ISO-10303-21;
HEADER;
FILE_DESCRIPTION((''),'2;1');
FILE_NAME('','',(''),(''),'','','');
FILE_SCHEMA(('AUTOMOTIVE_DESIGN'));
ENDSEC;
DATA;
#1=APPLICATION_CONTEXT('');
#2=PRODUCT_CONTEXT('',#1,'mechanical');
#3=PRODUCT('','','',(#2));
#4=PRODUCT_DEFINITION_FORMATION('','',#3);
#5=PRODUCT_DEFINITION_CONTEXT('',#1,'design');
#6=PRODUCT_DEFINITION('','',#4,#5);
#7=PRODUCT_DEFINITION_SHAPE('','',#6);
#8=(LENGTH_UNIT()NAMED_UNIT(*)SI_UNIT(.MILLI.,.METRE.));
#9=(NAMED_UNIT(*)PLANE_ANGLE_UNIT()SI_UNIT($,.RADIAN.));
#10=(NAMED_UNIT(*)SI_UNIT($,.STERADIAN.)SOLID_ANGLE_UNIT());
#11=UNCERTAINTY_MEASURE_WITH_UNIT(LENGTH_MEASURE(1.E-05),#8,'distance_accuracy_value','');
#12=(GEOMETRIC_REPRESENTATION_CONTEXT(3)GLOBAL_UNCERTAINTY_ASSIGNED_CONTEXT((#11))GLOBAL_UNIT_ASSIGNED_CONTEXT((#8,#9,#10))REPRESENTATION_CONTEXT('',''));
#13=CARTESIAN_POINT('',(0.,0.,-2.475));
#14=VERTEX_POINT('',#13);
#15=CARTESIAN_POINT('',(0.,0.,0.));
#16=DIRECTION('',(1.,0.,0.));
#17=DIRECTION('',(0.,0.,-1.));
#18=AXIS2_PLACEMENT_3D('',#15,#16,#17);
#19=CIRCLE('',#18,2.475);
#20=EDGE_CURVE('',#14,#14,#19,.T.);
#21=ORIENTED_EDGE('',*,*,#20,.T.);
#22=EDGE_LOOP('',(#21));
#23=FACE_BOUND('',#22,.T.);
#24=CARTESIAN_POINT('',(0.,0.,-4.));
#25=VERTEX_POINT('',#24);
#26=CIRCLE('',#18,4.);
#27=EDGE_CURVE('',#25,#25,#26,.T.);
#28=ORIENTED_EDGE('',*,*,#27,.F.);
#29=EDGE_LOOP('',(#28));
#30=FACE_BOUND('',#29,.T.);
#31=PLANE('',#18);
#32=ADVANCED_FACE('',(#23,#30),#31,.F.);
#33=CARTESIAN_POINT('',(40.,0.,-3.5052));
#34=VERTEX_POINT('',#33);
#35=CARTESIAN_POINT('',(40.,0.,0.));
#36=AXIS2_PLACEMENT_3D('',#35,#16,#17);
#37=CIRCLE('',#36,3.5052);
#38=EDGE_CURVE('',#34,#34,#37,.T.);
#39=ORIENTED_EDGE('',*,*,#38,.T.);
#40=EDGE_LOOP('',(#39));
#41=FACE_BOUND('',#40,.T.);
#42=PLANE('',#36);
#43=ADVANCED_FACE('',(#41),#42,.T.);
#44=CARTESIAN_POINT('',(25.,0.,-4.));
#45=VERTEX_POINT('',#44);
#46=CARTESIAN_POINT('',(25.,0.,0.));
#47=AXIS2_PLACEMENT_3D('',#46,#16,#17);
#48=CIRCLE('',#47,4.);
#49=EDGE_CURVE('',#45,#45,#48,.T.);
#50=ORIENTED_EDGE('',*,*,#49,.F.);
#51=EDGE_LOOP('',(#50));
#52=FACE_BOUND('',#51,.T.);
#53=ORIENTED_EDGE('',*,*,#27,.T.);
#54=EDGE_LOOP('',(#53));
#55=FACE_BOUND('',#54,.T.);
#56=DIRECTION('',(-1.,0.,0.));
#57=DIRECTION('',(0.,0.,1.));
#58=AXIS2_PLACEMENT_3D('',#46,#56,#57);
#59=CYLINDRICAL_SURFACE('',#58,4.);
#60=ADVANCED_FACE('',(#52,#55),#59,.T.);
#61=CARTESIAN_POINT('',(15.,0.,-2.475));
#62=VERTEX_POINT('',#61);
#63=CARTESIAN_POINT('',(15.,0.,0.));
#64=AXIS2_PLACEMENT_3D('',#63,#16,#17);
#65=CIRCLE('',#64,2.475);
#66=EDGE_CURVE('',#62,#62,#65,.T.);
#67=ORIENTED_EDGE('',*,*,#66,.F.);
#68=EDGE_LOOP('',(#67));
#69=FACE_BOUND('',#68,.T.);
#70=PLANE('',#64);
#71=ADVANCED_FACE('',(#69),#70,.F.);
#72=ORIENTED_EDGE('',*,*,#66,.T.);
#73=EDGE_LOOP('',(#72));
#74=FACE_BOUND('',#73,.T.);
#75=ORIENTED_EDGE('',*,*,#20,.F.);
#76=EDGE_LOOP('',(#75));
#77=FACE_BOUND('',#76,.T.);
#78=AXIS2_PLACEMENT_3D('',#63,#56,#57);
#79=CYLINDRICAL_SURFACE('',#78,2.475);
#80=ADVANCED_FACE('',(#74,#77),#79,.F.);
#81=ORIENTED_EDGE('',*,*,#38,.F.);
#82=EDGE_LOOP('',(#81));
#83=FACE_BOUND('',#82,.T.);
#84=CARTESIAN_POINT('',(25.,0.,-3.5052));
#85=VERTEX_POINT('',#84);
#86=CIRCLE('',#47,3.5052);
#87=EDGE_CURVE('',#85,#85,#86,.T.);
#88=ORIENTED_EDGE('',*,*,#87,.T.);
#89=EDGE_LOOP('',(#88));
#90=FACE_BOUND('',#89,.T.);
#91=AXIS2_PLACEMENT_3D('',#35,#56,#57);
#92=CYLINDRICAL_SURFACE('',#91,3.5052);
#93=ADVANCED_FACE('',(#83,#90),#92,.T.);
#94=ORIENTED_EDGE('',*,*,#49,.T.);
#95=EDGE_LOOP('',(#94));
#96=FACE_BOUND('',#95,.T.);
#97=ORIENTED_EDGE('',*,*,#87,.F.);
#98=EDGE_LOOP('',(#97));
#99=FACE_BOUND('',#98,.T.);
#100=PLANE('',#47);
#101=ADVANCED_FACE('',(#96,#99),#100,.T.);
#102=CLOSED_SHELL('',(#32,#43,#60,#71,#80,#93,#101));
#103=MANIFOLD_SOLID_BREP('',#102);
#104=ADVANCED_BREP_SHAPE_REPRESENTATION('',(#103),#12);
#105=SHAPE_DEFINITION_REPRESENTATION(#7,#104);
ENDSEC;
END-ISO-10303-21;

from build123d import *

# Parameters (mm, degrees)
SKETCH1_R           = 4
BOSS_EXTRUDE1_DEPTH = 25
SKETCH2_R           = 2.475
CUT_EXTRUDE1_DEPTH  = 15
SKETCH4_R           = 3.5052
BOSS_EXTRUDE2_DEPTH = 15


with BuildPart() as part:
    # Sketch1 → Boss-Extrude1 (new body)
    with BuildSketch(Plane(origin=(0, 0, 0), x_dir=(0, 0, -1), z_dir=(1, 0, 0))):
        Circle(SKETCH1_R)
    extrude(amount=BOSS_EXTRUDE1_DEPTH)

    # Sketch2 → Cut-Extrude1 (cut)
    with BuildSketch(Plane(origin=(0, 0, 0), x_dir=(0, 0, -1), z_dir=(1, 0, 0))):
        Circle(SKETCH2_R)
    extrude(amount=CUT_EXTRUDE1_DEPTH, mode=Mode.SUBTRACT)

    # Sketch4 → Boss-Extrude2 (add)
    with BuildSketch(Plane(origin=(25, 0, 0), x_dir=(0, 0, -1), z_dir=(1, 0, 0))):
        Circle(SKETCH4_R)
    extrude(amount=BOSS_EXTRUDE2_DEPTH)


solid = part.part
